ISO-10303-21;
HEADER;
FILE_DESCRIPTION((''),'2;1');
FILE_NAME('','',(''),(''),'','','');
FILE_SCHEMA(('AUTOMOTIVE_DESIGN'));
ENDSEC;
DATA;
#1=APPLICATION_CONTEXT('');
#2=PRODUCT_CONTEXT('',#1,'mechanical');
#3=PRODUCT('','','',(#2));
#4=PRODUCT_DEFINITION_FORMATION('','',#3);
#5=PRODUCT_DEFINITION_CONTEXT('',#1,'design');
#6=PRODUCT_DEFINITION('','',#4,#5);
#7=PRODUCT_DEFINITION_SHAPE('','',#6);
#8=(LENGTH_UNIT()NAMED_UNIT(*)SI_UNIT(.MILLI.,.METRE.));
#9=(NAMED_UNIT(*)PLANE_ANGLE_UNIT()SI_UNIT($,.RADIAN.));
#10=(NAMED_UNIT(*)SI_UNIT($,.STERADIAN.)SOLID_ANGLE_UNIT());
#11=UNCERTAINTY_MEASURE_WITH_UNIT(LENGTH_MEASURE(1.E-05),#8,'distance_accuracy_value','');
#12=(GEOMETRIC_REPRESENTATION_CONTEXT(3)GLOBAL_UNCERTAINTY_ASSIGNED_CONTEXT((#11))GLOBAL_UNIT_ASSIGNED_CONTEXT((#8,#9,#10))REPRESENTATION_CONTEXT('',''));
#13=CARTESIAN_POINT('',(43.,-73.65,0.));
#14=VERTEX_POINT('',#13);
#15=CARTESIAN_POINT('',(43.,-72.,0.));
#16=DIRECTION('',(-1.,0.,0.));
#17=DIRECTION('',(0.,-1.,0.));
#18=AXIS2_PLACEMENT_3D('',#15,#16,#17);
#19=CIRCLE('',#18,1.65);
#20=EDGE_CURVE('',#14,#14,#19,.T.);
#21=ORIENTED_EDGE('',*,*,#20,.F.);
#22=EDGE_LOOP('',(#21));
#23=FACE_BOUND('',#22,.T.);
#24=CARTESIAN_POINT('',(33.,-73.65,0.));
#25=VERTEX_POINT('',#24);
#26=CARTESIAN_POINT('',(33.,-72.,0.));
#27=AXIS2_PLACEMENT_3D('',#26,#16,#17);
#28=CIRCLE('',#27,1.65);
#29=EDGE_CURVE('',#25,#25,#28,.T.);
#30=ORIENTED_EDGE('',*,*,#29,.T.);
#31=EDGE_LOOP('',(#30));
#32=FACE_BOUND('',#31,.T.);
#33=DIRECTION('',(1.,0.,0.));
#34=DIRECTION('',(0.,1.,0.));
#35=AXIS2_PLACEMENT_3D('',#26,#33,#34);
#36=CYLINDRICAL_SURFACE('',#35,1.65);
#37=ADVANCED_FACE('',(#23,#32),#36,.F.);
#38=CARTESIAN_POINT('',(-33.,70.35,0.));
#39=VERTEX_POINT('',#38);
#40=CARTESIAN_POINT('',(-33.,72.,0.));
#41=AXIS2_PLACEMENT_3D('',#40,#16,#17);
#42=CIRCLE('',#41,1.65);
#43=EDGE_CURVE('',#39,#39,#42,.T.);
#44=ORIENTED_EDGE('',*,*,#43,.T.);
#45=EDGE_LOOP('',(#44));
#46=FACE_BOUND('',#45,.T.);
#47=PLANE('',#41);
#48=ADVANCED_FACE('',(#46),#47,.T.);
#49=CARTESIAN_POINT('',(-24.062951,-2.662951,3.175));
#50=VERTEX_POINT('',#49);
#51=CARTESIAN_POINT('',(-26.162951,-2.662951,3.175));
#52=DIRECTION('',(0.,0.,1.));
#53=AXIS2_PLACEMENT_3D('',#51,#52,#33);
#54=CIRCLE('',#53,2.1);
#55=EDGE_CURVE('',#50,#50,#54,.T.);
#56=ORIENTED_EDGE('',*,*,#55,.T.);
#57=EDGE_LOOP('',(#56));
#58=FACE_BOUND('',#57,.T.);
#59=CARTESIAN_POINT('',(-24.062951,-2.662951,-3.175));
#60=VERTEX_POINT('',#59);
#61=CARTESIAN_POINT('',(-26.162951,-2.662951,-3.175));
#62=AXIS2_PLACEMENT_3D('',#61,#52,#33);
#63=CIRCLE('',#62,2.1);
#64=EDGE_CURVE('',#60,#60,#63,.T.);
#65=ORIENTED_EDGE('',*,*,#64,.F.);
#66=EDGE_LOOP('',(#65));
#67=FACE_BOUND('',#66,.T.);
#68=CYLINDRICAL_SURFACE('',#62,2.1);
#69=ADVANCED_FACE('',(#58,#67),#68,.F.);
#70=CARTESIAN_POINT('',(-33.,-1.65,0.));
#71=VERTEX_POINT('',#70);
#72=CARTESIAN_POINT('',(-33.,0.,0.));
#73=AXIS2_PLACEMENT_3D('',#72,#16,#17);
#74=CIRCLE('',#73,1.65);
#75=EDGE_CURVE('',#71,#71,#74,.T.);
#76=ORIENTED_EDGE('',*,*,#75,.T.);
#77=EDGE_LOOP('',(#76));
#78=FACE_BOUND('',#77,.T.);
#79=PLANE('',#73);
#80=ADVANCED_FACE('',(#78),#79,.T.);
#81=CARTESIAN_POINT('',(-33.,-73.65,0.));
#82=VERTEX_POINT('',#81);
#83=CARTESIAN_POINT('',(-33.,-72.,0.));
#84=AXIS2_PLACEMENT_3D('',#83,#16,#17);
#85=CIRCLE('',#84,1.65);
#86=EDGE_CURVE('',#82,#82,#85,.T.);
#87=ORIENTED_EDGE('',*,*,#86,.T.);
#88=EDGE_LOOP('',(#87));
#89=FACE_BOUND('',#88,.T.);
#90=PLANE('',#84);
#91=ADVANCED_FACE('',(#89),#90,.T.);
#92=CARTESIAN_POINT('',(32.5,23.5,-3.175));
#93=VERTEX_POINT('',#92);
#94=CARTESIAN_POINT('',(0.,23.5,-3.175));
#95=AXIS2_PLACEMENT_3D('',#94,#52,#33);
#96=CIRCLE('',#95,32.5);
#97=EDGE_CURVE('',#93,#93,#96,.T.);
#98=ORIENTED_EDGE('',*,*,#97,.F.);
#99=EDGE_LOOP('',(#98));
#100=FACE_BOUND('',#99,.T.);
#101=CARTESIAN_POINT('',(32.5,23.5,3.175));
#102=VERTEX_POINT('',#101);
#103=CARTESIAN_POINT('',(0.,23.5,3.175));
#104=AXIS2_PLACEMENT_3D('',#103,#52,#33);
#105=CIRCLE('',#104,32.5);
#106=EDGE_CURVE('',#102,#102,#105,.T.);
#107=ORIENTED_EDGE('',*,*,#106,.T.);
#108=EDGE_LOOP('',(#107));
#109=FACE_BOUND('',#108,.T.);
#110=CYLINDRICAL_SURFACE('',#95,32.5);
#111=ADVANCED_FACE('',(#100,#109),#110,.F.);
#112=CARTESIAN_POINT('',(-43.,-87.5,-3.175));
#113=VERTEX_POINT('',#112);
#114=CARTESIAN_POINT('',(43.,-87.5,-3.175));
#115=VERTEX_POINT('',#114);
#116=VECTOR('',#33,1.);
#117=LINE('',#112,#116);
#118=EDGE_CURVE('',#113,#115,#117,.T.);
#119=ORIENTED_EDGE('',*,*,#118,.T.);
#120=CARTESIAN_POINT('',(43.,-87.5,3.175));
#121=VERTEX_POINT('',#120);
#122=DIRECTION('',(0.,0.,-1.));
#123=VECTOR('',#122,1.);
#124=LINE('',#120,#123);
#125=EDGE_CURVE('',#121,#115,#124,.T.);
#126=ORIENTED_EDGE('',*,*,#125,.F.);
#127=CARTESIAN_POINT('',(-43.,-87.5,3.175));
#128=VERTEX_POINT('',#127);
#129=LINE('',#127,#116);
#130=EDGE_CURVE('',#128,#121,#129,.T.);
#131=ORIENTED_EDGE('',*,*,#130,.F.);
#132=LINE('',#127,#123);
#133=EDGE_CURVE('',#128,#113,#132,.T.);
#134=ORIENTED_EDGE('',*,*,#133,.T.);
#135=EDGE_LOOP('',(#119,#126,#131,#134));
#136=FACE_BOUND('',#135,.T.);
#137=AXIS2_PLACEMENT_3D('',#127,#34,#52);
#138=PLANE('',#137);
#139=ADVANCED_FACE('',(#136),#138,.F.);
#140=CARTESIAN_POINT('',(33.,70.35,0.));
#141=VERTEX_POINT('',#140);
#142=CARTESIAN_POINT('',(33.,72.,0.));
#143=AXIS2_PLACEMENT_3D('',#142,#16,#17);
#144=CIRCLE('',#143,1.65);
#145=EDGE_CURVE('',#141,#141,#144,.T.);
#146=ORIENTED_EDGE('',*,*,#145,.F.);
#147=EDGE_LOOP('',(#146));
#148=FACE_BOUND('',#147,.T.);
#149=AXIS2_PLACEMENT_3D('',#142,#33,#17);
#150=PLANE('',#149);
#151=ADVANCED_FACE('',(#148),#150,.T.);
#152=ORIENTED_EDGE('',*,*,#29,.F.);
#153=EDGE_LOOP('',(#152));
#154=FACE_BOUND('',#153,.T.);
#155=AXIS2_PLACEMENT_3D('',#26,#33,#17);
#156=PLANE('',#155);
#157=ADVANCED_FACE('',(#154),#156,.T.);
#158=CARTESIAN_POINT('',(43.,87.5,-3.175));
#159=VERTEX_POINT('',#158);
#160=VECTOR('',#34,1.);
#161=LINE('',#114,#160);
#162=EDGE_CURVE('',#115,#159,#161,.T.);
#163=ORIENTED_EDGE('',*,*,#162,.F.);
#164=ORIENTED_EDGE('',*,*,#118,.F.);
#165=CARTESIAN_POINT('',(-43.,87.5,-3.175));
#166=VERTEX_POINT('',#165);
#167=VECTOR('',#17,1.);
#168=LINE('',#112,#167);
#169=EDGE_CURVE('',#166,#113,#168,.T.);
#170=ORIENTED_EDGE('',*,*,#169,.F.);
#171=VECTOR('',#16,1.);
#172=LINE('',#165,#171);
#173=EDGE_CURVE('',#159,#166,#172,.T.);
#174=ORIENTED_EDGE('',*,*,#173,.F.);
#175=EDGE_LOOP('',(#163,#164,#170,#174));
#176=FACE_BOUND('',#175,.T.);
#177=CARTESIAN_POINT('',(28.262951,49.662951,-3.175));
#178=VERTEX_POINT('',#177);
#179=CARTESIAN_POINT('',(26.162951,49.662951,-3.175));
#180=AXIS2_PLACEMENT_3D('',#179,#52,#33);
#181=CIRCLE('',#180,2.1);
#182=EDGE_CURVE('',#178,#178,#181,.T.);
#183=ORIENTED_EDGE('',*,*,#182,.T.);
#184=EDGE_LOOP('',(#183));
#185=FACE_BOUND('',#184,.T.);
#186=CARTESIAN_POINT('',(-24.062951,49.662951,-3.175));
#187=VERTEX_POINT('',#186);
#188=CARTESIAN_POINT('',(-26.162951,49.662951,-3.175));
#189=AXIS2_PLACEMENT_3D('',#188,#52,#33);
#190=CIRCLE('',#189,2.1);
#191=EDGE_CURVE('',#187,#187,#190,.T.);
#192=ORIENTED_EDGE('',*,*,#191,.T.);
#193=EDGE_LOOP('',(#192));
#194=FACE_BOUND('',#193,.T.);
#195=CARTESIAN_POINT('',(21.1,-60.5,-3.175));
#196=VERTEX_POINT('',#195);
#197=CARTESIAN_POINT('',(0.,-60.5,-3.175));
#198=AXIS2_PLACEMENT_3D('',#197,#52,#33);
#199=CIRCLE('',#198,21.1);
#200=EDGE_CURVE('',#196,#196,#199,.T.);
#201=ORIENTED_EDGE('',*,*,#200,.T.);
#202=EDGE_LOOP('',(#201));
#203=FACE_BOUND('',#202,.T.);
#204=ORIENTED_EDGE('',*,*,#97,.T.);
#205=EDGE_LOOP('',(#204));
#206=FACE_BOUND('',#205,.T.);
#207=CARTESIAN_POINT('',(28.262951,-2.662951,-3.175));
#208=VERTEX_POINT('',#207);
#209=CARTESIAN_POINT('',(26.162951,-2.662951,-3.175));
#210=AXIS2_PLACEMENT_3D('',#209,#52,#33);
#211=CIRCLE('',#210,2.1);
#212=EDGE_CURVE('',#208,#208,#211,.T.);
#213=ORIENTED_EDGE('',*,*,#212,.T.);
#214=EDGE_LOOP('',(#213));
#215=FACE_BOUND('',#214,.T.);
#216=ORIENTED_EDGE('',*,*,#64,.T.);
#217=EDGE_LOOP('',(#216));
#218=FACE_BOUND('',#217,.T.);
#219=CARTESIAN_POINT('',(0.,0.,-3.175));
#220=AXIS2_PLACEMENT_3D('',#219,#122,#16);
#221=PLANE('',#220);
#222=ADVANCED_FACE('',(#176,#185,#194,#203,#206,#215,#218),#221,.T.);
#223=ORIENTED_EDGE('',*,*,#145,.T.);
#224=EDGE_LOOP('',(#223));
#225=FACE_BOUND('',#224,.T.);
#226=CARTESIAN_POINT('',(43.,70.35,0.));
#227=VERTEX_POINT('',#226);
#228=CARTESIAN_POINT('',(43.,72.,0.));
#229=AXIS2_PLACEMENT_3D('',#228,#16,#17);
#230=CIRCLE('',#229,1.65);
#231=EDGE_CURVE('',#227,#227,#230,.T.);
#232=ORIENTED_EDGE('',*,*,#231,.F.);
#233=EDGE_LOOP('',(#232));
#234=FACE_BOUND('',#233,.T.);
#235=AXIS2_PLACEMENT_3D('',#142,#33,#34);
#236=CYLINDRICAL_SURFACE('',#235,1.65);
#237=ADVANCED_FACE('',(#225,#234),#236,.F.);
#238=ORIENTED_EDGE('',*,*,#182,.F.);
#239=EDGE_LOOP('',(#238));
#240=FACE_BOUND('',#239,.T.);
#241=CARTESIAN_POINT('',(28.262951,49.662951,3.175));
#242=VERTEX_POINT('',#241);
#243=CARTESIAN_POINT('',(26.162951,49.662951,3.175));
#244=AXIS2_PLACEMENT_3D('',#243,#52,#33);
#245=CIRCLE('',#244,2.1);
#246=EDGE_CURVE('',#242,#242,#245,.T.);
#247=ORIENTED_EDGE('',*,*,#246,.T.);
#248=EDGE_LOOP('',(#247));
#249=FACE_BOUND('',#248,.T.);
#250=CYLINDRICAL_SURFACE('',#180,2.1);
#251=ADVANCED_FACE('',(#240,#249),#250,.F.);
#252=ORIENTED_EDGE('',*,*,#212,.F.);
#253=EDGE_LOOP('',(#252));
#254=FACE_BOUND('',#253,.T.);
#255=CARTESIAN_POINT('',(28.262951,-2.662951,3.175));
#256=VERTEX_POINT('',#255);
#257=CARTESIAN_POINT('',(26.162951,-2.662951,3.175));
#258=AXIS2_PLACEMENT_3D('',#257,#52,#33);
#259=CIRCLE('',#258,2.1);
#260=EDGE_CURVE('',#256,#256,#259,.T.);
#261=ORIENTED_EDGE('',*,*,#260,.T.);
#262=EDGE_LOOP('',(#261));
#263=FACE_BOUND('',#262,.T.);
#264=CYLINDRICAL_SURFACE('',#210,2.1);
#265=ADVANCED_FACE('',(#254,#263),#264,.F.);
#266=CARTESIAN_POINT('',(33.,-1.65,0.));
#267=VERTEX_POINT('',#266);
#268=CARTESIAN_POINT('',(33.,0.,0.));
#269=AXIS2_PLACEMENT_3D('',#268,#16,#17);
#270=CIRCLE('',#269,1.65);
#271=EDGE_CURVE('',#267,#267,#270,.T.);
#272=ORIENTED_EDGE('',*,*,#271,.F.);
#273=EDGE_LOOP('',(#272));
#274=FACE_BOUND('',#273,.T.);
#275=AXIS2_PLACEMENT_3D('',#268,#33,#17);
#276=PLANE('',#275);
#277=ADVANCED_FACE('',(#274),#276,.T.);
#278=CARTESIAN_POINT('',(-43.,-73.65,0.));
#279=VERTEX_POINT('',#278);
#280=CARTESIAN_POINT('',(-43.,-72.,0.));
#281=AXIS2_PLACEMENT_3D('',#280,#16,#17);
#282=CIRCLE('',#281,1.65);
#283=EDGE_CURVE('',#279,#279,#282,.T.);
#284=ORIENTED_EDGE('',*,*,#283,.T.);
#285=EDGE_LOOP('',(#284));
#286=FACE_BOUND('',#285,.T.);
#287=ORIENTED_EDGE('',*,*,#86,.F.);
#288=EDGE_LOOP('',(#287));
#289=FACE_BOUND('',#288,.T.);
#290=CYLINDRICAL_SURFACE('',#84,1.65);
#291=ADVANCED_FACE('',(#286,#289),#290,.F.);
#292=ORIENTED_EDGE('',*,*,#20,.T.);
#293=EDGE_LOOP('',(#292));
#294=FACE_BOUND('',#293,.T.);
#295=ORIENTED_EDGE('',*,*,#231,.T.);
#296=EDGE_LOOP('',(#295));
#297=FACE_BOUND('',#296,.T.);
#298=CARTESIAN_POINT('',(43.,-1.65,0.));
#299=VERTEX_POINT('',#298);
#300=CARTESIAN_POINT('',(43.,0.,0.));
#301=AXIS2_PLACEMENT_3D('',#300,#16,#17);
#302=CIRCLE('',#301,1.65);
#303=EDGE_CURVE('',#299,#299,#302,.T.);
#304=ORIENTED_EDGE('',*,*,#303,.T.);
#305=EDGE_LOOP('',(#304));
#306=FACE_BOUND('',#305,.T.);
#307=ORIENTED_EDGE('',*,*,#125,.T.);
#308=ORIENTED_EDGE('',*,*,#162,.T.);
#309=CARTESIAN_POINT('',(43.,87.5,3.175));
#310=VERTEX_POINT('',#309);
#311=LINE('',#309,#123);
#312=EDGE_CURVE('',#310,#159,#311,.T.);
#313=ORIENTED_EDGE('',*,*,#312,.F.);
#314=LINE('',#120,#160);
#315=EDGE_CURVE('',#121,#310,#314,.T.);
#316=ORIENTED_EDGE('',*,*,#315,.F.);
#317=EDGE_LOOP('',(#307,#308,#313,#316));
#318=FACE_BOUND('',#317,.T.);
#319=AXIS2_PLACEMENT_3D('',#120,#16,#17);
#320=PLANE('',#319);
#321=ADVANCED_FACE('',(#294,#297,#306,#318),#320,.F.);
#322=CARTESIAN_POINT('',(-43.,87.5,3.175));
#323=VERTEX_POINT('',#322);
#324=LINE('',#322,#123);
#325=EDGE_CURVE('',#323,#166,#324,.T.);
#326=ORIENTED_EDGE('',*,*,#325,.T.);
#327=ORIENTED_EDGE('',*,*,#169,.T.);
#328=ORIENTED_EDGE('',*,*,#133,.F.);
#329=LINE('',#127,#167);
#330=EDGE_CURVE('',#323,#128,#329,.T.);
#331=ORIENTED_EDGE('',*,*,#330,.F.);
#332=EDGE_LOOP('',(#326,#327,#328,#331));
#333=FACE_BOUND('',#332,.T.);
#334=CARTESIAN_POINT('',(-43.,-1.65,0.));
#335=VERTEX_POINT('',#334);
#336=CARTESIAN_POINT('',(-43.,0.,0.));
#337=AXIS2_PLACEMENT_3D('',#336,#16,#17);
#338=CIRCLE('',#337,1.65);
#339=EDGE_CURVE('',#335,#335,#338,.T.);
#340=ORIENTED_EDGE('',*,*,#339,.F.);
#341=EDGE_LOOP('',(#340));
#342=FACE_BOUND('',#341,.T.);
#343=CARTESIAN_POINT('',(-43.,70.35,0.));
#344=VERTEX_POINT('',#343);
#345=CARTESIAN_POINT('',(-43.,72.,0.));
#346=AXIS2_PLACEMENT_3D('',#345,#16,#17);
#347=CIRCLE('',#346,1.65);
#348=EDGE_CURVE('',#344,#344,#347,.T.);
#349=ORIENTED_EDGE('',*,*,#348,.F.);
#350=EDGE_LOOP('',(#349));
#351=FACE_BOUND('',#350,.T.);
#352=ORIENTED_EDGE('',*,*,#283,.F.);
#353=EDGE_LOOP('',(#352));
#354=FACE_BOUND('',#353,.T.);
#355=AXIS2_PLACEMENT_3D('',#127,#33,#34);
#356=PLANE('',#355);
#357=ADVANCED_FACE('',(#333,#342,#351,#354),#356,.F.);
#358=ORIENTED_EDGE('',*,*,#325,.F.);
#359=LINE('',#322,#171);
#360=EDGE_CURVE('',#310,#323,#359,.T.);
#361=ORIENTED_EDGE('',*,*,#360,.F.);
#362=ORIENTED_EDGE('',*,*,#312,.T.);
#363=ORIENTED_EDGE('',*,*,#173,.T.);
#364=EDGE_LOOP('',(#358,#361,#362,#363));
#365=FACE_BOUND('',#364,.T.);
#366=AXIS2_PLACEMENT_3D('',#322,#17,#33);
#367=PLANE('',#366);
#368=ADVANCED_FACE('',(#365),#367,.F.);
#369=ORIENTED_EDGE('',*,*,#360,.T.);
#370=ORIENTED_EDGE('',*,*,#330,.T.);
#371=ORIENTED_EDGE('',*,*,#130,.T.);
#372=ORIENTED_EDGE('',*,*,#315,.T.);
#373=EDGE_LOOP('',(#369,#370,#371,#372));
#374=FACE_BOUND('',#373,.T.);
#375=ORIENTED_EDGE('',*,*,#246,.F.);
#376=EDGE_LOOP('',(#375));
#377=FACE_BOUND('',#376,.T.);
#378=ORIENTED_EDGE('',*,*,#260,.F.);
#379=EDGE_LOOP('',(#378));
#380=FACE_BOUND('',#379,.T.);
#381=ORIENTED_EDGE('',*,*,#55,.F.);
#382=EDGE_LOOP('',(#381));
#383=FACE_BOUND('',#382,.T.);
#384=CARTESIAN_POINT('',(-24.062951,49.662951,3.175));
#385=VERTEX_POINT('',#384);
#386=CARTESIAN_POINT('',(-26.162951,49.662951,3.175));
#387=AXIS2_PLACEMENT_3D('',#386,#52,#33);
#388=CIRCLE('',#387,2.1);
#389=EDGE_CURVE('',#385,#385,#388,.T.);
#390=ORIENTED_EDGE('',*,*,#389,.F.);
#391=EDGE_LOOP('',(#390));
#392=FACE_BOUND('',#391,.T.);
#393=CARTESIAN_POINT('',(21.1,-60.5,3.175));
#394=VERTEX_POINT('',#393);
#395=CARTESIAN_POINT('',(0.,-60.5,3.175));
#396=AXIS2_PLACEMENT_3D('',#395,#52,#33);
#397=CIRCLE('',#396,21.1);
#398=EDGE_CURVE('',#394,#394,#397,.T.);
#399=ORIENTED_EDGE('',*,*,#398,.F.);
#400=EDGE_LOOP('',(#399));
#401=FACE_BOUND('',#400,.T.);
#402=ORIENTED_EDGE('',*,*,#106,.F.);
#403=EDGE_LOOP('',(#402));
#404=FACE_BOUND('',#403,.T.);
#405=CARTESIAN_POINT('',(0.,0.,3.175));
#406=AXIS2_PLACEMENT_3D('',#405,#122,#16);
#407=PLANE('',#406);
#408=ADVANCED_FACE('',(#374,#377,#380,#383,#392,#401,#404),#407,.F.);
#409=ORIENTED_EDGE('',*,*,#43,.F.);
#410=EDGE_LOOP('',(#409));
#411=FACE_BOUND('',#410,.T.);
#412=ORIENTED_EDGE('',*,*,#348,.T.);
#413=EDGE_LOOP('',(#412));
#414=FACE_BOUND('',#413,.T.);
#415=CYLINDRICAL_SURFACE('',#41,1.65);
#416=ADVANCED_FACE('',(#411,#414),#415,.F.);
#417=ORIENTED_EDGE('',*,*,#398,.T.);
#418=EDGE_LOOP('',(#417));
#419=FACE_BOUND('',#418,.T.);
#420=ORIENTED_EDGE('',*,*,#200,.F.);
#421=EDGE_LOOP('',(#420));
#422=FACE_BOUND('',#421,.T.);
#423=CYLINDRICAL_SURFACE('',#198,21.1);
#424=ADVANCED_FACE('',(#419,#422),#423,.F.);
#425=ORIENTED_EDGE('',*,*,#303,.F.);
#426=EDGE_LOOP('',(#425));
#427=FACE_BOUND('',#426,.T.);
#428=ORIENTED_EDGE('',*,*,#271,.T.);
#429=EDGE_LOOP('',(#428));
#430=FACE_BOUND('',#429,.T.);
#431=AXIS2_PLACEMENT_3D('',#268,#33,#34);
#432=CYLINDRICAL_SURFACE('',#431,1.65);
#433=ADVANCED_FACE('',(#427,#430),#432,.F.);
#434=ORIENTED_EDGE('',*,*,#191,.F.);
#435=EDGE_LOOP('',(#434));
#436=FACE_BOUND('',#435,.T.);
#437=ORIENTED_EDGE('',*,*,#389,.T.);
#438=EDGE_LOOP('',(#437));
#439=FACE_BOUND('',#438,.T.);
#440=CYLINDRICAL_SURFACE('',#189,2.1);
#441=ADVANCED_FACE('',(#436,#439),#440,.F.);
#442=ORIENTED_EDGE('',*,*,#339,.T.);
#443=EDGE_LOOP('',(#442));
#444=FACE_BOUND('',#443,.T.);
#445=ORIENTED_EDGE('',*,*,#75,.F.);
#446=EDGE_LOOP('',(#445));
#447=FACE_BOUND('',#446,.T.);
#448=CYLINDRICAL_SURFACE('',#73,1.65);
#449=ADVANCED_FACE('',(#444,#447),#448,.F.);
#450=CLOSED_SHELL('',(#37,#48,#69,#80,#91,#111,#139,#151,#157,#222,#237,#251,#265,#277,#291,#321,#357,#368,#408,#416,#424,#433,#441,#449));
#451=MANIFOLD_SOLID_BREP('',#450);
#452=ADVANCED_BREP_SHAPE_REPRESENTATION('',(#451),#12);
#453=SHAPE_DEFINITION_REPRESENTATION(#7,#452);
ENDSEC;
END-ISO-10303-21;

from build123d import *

# Parameters (mm, degrees)
SKETCH1_W           = 86
SKETCH1_H           = 175
BOSS_EXTRUDE1_DEPTH = 3.175
SKETCH3_R           = 1.65
CUT_EXTRUDE1_DEPTH  = 10
SKETCH4_R           = 32.5
CUT_EXTRUDE2_DEPTH  = 98.701445742
SKETCH4_3_R         = 2.1
CUT_EXTRUDE3_DEPTH  = 98.701445742
SKETCH7_R           = 21.1
CUT_EXTRUDE4_DEPTH  = 98.701445742


with BuildPart() as part:
    # Sketch1 → Boss-Extrude1 (new, symmetric)
    with BuildSketch(Plane.XY):
        Rectangle(SKETCH1_W, SKETCH1_H)
    extrude(amount=BOSS_EXTRUDE1_DEPTH, both=True)

    # Sketch3 → Cut-Extrude1 (cut)
    with BuildSketch(Plane.ZY.offset(43)):
        with Locations((0, 72)):
            Circle(SKETCH3_R)
        Circle(SKETCH3_R)
        with Locations((0, -72)):
            Circle(SKETCH3_R)
    cut_extrude1 = extrude(amount=-CUT_EXTRUDE1_DEPTH, mode=Mode.SUBTRACT)

    # Mirror1: Cut-Extrude1 across plane
    add(cut_extrude1.mirror(Plane(origin=(0, 0, 0), x_dir=(0, 0, 1), z_dir=(1, 0, 0))), mode=Mode.SUBTRACT)

    # Sketch4 → Cut-Extrude2 (cut, through all)
    with BuildSketch(Plane.XY.offset(3.175)):
        with Locations((0, 23.5)):
            Circle(SKETCH4_R)
    extrude(amount=-CUT_EXTRUDE2_DEPTH, mode=Mode.SUBTRACT)

    # Sketch4<3> → Cut-Extrude3 (cut, through all)
    with BuildSketch(Plane.XY.offset(3.175)):
        with Locations((-26.162950904, 49.662950904)):
            Circle(SKETCH4_3_R)
        with Locations((26.162950904, 49.662950904)):
            Circle(SKETCH4_3_R)
        with Locations((26.162950904, -2.662950904)):
            Circle(SKETCH4_3_R)
        with Locations((-26.162950904, -2.662950904)):
            Circle(SKETCH4_3_R)
    extrude(amount=-CUT_EXTRUDE3_DEPTH, mode=Mode.SUBTRACT)

    # Sketch7 → Cut-Extrude4 (cut, through all)
    with BuildSketch(Plane.XY.offset(3.175)):
        with Locations((0, -60.5)):
            Circle(SKETCH7_R)
    extrude(amount=-CUT_EXTRUDE4_DEPTH, mode=Mode.SUBTRACT)


solid = part.part
